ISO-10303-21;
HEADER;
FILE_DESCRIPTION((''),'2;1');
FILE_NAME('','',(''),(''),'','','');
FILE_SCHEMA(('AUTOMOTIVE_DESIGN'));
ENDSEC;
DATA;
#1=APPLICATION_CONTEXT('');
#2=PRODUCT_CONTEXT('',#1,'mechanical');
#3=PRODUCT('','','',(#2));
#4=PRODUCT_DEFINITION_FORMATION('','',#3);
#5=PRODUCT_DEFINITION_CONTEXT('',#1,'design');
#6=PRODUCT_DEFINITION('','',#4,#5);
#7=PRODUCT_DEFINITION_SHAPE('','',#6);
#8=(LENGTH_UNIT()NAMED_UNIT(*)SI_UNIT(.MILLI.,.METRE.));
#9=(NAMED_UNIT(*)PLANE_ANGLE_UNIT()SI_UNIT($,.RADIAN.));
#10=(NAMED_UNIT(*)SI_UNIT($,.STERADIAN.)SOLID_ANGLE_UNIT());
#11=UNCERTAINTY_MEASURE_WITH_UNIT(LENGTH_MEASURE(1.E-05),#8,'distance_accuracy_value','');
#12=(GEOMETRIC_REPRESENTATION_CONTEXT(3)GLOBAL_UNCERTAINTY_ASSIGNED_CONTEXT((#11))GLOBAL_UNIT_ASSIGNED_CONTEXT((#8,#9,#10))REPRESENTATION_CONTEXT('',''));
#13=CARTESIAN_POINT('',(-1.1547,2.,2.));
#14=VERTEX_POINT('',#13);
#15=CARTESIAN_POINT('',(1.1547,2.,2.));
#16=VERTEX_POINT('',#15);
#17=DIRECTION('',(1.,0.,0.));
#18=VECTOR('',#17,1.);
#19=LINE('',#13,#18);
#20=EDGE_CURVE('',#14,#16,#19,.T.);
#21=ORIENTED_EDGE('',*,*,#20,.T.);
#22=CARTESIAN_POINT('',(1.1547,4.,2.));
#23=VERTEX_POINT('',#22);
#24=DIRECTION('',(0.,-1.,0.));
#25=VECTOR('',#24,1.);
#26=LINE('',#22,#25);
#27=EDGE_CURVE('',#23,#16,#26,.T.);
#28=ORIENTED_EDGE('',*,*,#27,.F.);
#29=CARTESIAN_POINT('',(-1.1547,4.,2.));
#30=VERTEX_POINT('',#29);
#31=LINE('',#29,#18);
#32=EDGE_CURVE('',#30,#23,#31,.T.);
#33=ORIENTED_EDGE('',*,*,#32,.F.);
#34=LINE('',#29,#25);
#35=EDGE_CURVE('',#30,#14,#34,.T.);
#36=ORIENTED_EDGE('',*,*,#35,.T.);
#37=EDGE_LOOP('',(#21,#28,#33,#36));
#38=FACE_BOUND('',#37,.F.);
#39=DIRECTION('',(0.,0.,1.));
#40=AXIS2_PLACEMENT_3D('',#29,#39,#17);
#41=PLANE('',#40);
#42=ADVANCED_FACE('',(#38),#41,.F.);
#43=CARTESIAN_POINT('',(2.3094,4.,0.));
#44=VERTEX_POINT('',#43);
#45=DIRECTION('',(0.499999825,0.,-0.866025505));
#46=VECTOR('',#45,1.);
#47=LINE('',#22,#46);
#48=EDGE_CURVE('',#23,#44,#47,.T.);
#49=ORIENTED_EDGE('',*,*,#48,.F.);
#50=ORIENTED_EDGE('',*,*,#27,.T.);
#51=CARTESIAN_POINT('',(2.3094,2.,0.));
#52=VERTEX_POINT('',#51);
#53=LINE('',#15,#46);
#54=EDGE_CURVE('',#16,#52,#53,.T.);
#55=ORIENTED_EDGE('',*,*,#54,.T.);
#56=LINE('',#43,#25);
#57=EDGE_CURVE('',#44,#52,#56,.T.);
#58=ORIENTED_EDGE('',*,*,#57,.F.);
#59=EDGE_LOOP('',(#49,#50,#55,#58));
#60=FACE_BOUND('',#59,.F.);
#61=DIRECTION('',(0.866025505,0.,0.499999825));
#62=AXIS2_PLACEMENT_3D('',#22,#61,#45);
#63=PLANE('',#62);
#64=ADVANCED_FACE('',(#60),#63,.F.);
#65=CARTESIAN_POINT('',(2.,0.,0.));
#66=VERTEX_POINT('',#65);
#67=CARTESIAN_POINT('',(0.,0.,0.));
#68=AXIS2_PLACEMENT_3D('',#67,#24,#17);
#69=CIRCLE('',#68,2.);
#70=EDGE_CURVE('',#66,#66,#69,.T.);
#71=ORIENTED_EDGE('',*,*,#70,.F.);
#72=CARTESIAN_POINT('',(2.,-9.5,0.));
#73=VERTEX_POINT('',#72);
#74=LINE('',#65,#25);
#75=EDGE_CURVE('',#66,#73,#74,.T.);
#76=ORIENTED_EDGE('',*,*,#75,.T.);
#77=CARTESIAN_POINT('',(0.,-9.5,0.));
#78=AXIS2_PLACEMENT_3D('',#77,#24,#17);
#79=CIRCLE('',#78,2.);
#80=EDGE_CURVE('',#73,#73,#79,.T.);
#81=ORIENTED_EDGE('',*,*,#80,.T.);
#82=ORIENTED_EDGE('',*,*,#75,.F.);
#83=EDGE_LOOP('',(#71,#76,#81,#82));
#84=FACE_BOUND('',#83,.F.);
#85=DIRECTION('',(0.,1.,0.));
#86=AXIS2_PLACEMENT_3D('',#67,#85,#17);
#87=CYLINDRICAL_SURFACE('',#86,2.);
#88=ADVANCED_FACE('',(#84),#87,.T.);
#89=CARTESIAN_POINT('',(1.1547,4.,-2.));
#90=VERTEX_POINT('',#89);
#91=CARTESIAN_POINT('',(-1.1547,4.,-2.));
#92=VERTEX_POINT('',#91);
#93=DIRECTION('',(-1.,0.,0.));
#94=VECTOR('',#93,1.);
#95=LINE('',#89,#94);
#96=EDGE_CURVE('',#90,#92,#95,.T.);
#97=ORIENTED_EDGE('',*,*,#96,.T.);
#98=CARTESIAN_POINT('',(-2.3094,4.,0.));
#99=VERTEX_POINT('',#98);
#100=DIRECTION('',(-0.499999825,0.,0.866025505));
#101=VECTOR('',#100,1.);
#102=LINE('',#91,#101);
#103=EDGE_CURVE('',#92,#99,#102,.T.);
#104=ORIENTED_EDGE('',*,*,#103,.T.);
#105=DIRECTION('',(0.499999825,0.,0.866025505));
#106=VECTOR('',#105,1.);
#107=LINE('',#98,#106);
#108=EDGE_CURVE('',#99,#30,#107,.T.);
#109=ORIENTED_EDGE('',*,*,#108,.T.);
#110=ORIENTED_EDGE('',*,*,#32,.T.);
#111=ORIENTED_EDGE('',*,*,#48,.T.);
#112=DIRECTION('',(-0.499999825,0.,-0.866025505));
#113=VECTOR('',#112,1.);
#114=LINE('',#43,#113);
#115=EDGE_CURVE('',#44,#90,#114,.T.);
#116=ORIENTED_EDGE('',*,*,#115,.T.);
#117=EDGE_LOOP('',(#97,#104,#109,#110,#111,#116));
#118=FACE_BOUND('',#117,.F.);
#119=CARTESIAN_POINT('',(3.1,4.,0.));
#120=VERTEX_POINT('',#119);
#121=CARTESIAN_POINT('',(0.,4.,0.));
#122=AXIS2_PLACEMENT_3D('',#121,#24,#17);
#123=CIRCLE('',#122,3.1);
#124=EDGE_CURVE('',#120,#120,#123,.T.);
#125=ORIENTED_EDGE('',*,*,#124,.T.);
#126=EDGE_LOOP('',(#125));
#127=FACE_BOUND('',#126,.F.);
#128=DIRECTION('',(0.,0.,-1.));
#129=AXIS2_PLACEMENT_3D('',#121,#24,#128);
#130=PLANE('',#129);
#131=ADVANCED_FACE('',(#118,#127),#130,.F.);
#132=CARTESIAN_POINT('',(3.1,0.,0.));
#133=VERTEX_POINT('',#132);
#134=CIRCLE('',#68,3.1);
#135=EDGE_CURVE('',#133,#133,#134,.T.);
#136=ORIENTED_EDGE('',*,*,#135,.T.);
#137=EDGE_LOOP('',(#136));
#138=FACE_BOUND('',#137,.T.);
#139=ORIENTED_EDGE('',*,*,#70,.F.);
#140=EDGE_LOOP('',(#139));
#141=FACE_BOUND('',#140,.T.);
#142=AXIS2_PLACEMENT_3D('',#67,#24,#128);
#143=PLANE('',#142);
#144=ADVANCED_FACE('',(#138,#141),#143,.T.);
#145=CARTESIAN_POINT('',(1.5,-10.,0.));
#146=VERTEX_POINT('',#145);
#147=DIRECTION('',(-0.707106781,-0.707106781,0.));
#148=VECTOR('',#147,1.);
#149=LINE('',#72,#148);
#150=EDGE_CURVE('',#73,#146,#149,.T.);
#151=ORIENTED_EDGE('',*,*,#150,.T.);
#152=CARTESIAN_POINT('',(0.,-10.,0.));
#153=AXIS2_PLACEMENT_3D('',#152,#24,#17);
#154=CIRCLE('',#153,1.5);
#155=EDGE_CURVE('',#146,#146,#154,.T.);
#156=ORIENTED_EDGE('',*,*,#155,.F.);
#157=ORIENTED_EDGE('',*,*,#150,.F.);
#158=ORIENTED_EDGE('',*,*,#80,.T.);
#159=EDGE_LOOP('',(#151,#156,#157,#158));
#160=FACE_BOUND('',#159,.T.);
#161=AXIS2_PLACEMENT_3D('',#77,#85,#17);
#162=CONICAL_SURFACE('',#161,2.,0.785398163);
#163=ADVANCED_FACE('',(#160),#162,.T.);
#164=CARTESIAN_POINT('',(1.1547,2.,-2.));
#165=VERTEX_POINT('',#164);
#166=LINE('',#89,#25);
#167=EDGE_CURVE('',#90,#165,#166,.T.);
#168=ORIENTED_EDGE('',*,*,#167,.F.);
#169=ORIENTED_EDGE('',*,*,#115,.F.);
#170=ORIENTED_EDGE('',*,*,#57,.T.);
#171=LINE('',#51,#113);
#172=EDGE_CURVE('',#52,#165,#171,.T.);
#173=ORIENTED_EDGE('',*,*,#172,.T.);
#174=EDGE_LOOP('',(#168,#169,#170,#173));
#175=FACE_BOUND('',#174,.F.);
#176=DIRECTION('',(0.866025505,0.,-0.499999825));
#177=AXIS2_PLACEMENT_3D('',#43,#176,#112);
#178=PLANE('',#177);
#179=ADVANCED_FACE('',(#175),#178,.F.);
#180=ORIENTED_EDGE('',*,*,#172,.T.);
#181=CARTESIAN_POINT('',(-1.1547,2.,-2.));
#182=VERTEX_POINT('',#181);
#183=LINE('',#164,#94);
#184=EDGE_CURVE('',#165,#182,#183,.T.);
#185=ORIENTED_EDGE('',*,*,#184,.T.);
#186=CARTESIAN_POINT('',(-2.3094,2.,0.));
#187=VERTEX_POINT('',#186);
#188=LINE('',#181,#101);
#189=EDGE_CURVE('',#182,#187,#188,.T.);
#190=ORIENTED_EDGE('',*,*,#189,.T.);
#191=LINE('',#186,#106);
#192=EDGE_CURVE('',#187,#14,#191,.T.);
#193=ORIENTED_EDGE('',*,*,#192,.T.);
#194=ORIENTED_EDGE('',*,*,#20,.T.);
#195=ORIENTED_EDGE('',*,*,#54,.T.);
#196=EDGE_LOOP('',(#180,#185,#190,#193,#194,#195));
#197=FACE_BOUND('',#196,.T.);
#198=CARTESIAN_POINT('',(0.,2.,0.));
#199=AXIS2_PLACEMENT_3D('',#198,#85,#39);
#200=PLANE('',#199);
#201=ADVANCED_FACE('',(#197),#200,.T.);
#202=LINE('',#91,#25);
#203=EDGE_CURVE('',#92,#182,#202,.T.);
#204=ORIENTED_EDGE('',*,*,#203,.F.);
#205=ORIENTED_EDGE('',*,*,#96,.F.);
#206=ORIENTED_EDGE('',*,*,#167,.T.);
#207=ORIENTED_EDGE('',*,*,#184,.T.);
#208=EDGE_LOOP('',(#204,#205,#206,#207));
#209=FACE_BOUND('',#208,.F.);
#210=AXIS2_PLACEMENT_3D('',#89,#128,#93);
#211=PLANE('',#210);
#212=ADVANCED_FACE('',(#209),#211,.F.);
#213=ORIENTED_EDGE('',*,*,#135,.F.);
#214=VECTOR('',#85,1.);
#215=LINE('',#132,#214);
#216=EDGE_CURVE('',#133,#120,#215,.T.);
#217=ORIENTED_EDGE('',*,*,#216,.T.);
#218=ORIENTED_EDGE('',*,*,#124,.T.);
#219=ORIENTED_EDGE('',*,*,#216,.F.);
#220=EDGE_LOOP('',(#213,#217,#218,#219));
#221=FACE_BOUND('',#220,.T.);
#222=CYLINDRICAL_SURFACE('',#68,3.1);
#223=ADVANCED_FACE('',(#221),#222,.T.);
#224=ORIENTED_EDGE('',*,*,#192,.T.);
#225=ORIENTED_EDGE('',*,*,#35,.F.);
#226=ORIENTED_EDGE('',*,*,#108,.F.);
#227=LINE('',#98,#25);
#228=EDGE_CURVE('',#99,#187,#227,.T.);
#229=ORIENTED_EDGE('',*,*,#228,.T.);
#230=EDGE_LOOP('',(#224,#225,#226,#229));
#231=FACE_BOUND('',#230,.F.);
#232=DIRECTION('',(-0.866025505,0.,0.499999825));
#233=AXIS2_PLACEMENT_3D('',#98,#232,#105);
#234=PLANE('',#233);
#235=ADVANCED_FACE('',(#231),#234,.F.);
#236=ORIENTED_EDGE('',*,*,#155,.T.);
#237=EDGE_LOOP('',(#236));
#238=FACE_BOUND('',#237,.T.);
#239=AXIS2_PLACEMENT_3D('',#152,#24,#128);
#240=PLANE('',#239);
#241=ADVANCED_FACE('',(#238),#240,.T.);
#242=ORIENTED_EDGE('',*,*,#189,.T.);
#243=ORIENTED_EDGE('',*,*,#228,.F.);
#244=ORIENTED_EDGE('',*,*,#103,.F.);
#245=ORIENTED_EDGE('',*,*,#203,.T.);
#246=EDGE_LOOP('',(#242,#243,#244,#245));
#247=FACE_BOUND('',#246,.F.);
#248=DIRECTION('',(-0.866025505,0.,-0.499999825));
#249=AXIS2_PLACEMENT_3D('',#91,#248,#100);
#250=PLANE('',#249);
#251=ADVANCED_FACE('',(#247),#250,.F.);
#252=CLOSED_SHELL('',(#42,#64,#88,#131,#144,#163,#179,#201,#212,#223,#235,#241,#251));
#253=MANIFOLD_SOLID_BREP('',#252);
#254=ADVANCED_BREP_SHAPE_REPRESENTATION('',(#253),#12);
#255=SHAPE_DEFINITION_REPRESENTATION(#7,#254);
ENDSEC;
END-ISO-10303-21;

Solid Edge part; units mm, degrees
sketch "Sketch1" plane through (0, 0, 0) normal (0, -1, 0) x (1, 0, 0)
  circle A0 centre (0, 0) radius 3.1
  dimension "D1" = 6.2
extrude "Protrusion1" add sketch "Sketch1" against normal blind 4
sketch "Sketch2" plane through (0, 0, 0) normal (0, -1, 0) x (1, 0, 0)
  circle A0 centre (0, 0) radius 2
  dimension "D1" = 4
extrude "Protrusion2" add sketch "Sketch2" along normal blind 10
sketch "Sketch3" plane through (0, 4, 0) normal (0, 1, 0) x (-1, 0, 0)
  line L0 (1.1547, 2) -> (-1.1547, 2)
  line L1 (-1.1547, 2) -> (-2.3094, 0)
  line L2 (-2.3094, 0) -> (-1.1547, -2)
  line L3 (-1.1547, -2) -> (1.1547, -2)
  line L4 (1.1547, -2) -> (2.3094, 0)
  line L5 (2.3094, 0) -> (1.1547, 2)
extrude "Cutout1" cut sketch "Sketch3" against normal blind 2
chamfer "Chamfer1" distance 0.5 angle 45 1 edges at (-2, -10, 0)
properties part number "SOCKET2"
